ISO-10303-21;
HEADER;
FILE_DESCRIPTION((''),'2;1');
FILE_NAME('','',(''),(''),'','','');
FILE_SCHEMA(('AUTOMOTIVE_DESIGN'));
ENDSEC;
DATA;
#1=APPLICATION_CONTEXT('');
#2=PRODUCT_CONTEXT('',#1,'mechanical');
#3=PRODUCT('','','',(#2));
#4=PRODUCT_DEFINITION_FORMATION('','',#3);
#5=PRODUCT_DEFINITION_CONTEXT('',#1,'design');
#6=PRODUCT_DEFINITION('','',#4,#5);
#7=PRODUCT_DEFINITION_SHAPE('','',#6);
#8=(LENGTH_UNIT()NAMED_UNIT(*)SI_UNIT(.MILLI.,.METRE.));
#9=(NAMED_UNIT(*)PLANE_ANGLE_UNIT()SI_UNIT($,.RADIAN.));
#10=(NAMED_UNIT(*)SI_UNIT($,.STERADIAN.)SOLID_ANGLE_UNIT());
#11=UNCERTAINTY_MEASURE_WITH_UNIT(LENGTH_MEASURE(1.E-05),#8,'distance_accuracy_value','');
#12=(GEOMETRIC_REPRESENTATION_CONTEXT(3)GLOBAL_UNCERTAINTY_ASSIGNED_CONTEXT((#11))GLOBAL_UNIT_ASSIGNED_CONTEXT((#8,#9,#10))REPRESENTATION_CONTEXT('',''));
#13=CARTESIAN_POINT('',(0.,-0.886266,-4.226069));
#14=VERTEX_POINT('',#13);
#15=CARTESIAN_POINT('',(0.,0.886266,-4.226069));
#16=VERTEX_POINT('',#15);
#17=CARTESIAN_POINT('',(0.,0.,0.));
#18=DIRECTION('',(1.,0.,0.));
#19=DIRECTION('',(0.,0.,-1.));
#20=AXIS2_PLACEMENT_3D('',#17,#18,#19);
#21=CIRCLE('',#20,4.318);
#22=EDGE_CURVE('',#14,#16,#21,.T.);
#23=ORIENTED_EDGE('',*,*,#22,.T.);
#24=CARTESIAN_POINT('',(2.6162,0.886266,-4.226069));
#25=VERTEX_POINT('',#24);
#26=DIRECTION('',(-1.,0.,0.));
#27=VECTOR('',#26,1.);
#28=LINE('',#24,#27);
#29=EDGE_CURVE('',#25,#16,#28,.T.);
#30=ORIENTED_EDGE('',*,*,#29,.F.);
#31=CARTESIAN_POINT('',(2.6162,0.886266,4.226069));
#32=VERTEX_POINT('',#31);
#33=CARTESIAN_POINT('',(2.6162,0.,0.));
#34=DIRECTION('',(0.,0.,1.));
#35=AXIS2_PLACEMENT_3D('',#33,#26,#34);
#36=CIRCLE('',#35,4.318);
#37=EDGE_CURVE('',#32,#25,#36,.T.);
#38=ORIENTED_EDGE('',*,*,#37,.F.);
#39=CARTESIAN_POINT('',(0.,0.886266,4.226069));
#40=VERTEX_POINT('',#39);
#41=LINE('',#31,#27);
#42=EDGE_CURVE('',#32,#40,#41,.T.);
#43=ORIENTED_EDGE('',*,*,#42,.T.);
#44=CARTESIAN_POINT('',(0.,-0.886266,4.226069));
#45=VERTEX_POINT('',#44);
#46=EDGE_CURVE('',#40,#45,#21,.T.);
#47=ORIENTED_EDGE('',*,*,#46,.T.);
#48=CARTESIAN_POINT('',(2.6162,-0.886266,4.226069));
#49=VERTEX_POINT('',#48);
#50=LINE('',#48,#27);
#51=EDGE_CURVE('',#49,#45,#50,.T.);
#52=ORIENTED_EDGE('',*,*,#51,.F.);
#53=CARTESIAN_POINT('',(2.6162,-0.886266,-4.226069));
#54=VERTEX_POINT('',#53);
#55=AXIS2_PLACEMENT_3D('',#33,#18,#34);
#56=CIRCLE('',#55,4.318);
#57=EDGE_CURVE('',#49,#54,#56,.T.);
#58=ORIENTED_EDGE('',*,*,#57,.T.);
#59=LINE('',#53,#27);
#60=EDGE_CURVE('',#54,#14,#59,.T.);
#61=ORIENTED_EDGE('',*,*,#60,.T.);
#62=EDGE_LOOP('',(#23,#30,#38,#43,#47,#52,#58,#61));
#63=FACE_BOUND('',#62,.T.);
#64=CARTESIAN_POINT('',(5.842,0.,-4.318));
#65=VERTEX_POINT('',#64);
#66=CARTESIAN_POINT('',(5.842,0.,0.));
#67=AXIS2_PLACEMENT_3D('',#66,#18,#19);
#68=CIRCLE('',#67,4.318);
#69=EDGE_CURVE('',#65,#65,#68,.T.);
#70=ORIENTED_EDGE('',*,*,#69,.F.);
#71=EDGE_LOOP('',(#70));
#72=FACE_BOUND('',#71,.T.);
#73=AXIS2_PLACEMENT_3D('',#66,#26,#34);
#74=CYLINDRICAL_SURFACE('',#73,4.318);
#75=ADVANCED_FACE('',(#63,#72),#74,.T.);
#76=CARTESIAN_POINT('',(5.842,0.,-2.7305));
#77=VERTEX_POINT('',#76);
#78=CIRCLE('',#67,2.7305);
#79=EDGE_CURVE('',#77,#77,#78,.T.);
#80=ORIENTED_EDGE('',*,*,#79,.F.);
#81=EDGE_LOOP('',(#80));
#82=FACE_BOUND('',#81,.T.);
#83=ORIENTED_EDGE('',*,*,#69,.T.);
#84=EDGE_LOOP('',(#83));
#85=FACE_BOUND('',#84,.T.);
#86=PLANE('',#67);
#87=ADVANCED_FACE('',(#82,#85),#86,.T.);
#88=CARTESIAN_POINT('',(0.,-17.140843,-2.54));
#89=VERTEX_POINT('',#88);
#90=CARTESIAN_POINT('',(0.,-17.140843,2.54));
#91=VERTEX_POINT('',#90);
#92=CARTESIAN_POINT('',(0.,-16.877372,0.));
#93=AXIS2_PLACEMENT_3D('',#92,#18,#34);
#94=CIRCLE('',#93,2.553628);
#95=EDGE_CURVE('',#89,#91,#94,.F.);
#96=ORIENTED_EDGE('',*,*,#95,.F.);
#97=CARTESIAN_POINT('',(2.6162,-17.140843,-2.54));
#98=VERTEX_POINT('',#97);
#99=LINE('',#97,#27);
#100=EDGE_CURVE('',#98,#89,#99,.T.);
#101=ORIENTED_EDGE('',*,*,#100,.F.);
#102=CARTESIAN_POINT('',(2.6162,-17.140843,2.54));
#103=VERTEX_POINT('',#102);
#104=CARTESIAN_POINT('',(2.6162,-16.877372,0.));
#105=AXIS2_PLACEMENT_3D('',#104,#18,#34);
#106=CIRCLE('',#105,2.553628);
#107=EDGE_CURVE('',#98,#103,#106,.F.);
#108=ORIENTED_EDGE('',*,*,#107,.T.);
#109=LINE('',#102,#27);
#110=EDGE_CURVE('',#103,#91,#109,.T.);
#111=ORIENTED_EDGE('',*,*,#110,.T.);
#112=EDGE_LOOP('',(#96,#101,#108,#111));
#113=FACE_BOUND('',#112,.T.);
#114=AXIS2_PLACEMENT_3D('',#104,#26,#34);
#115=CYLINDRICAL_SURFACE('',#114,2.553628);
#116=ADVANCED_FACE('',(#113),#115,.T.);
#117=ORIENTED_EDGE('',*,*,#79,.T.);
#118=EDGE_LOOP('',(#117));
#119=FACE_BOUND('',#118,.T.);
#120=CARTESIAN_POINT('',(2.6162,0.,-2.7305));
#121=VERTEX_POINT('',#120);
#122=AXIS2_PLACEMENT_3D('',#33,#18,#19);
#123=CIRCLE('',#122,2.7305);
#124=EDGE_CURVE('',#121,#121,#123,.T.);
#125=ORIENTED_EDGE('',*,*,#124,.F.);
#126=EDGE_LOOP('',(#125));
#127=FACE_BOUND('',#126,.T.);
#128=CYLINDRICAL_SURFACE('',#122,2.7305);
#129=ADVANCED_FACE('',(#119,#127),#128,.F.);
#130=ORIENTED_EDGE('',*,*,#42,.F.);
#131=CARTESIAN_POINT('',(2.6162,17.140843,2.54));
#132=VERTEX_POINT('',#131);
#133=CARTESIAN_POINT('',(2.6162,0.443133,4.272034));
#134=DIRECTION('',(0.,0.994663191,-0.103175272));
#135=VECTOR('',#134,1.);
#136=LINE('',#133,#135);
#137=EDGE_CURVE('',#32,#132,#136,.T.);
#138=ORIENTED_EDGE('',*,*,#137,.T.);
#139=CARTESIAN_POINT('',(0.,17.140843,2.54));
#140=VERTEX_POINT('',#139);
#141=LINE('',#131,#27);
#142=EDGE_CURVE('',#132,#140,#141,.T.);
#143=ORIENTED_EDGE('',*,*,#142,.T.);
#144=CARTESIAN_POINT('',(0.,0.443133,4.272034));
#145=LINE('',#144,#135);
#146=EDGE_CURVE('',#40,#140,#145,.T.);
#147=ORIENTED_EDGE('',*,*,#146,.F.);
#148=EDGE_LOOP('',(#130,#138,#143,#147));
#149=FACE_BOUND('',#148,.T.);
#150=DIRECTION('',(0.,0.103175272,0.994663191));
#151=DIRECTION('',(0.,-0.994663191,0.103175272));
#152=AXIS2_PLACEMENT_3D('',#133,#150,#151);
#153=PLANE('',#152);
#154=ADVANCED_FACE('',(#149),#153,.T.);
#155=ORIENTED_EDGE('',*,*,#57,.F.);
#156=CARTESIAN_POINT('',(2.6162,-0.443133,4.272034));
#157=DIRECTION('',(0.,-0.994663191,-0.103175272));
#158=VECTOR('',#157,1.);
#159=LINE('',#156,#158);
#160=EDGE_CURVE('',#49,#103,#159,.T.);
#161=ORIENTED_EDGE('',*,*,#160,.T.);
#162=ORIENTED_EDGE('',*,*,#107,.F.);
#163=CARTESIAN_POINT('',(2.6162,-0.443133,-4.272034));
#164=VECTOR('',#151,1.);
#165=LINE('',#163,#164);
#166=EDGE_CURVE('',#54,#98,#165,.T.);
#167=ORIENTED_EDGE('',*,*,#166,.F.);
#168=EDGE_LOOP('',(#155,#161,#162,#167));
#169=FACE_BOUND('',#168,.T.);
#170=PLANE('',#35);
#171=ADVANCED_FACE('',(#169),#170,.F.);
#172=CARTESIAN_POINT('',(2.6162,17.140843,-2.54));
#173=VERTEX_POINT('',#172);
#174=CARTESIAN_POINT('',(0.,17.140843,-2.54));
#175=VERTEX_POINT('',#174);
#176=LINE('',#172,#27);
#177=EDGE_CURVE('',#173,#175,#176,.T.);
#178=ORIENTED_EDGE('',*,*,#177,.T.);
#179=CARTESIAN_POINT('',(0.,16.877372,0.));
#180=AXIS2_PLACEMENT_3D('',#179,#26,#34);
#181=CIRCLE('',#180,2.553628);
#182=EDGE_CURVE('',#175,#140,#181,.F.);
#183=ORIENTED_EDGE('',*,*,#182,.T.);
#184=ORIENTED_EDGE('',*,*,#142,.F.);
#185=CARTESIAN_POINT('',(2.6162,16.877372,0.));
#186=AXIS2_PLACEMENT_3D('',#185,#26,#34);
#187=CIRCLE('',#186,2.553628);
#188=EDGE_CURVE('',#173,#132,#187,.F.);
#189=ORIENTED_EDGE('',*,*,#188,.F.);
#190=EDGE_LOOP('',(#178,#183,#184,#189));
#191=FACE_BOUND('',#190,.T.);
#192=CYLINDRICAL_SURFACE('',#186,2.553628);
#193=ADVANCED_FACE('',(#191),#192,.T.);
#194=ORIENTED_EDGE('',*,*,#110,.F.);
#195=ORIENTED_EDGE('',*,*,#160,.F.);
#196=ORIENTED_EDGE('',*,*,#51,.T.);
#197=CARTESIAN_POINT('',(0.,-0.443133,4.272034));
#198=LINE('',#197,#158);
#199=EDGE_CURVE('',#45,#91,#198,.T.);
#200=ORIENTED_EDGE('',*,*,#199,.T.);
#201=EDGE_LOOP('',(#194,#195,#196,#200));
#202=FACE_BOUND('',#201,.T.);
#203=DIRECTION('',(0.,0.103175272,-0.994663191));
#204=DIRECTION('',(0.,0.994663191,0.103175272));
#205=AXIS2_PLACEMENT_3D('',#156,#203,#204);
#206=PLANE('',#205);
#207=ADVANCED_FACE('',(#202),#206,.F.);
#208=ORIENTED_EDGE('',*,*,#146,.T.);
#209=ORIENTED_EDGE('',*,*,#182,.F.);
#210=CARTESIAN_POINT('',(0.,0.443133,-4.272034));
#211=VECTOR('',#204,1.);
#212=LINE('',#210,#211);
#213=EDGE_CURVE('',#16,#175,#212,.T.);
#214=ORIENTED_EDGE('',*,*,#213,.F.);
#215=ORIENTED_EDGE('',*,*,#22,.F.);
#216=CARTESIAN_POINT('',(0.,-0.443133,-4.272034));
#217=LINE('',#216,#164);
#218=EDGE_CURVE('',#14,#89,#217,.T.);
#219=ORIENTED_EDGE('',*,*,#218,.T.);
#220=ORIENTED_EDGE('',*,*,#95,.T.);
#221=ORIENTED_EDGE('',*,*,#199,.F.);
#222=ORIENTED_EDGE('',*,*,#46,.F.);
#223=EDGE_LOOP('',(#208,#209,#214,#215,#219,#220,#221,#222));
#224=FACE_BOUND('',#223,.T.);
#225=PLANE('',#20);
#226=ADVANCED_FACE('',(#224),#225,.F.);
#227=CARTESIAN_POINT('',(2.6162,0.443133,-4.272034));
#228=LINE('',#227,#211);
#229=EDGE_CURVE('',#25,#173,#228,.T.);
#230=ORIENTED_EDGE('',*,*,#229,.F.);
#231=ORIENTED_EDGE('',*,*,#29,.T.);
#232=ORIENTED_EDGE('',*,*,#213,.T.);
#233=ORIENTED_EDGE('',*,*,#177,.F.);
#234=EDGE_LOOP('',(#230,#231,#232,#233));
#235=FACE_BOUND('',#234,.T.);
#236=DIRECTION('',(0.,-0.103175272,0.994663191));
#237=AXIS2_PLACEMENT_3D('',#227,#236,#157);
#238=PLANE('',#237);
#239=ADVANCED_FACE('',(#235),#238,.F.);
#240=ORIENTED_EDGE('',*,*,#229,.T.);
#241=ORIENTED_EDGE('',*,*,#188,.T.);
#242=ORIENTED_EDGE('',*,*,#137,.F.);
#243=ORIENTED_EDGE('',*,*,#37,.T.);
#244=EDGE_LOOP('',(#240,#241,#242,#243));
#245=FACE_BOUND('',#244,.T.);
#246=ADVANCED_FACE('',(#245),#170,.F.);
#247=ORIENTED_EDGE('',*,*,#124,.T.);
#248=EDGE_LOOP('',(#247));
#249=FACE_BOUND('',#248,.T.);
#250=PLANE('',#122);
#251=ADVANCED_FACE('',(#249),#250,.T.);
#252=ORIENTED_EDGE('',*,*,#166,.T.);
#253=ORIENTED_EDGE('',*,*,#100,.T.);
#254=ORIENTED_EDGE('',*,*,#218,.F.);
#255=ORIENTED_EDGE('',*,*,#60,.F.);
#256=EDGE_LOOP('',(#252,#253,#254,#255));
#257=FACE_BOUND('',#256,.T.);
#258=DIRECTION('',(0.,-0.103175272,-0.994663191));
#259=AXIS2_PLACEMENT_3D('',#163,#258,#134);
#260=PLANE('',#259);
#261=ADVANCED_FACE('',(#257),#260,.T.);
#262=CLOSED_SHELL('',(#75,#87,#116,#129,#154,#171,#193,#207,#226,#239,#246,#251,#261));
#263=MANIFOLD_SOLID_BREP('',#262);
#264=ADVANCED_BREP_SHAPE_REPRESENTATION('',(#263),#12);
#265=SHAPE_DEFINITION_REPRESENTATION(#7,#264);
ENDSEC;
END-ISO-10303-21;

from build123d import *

# Parameters (mm, degrees)
SKETCH1_R           = 4.318
BOSS_EXTRUDE1_DEPTH = 5.842
BOSS_EXTRUDE2_DEPTH = 2.6162
SKETCH3_R           = 2.7305
CUT_EXTRUDE1_DEPTH  = 3.2258


with BuildPart() as part:
    # Sketch1 → Boss-Extrude1 (new body)
    with BuildSketch(Plane(origin=(0, 0, 0), x_dir=(0, 0, -1), z_dir=(1, 0, 0))):
        Circle(SKETCH1_R)
    extrude(amount=BOSS_EXTRUDE1_DEPTH)

    # Sketch2 → Boss-Extrude2 (add)
    with BuildSketch(Plane.ZY):
        with BuildLine():
            Line((-2.54, 17.140843061), (-4.226068598, 0.886266441))
            ThreePointArc((-4.226068598, 0.886266441), (0, 4.318), (4.226068598, 0.886266441))
            Line((4.226068598, 0.886266441), (2.54, 17.140843061))
            ThreePointArc((2.54, 17.140843061), (0, 19.431), (-2.54, 17.140843061))
        make_face()
    boss_extrude2 = extrude(amount=-BOSS_EXTRUDE2_DEPTH)

    # Mirror1: Boss-Extrude2 across plane
    add(boss_extrude2.mirror(Plane.ZX))

    # Sketch3 → Cut-Extrude1 (cut)
    with BuildSketch(Plane(origin=(5.842, 0, 0), x_dir=(0, 0, -1), z_dir=(1, 0, 0))):
        Circle(SKETCH3_R)
    extrude(amount=-CUT_EXTRUDE1_DEPTH, mode=Mode.SUBTRACT)


solid = part.part
